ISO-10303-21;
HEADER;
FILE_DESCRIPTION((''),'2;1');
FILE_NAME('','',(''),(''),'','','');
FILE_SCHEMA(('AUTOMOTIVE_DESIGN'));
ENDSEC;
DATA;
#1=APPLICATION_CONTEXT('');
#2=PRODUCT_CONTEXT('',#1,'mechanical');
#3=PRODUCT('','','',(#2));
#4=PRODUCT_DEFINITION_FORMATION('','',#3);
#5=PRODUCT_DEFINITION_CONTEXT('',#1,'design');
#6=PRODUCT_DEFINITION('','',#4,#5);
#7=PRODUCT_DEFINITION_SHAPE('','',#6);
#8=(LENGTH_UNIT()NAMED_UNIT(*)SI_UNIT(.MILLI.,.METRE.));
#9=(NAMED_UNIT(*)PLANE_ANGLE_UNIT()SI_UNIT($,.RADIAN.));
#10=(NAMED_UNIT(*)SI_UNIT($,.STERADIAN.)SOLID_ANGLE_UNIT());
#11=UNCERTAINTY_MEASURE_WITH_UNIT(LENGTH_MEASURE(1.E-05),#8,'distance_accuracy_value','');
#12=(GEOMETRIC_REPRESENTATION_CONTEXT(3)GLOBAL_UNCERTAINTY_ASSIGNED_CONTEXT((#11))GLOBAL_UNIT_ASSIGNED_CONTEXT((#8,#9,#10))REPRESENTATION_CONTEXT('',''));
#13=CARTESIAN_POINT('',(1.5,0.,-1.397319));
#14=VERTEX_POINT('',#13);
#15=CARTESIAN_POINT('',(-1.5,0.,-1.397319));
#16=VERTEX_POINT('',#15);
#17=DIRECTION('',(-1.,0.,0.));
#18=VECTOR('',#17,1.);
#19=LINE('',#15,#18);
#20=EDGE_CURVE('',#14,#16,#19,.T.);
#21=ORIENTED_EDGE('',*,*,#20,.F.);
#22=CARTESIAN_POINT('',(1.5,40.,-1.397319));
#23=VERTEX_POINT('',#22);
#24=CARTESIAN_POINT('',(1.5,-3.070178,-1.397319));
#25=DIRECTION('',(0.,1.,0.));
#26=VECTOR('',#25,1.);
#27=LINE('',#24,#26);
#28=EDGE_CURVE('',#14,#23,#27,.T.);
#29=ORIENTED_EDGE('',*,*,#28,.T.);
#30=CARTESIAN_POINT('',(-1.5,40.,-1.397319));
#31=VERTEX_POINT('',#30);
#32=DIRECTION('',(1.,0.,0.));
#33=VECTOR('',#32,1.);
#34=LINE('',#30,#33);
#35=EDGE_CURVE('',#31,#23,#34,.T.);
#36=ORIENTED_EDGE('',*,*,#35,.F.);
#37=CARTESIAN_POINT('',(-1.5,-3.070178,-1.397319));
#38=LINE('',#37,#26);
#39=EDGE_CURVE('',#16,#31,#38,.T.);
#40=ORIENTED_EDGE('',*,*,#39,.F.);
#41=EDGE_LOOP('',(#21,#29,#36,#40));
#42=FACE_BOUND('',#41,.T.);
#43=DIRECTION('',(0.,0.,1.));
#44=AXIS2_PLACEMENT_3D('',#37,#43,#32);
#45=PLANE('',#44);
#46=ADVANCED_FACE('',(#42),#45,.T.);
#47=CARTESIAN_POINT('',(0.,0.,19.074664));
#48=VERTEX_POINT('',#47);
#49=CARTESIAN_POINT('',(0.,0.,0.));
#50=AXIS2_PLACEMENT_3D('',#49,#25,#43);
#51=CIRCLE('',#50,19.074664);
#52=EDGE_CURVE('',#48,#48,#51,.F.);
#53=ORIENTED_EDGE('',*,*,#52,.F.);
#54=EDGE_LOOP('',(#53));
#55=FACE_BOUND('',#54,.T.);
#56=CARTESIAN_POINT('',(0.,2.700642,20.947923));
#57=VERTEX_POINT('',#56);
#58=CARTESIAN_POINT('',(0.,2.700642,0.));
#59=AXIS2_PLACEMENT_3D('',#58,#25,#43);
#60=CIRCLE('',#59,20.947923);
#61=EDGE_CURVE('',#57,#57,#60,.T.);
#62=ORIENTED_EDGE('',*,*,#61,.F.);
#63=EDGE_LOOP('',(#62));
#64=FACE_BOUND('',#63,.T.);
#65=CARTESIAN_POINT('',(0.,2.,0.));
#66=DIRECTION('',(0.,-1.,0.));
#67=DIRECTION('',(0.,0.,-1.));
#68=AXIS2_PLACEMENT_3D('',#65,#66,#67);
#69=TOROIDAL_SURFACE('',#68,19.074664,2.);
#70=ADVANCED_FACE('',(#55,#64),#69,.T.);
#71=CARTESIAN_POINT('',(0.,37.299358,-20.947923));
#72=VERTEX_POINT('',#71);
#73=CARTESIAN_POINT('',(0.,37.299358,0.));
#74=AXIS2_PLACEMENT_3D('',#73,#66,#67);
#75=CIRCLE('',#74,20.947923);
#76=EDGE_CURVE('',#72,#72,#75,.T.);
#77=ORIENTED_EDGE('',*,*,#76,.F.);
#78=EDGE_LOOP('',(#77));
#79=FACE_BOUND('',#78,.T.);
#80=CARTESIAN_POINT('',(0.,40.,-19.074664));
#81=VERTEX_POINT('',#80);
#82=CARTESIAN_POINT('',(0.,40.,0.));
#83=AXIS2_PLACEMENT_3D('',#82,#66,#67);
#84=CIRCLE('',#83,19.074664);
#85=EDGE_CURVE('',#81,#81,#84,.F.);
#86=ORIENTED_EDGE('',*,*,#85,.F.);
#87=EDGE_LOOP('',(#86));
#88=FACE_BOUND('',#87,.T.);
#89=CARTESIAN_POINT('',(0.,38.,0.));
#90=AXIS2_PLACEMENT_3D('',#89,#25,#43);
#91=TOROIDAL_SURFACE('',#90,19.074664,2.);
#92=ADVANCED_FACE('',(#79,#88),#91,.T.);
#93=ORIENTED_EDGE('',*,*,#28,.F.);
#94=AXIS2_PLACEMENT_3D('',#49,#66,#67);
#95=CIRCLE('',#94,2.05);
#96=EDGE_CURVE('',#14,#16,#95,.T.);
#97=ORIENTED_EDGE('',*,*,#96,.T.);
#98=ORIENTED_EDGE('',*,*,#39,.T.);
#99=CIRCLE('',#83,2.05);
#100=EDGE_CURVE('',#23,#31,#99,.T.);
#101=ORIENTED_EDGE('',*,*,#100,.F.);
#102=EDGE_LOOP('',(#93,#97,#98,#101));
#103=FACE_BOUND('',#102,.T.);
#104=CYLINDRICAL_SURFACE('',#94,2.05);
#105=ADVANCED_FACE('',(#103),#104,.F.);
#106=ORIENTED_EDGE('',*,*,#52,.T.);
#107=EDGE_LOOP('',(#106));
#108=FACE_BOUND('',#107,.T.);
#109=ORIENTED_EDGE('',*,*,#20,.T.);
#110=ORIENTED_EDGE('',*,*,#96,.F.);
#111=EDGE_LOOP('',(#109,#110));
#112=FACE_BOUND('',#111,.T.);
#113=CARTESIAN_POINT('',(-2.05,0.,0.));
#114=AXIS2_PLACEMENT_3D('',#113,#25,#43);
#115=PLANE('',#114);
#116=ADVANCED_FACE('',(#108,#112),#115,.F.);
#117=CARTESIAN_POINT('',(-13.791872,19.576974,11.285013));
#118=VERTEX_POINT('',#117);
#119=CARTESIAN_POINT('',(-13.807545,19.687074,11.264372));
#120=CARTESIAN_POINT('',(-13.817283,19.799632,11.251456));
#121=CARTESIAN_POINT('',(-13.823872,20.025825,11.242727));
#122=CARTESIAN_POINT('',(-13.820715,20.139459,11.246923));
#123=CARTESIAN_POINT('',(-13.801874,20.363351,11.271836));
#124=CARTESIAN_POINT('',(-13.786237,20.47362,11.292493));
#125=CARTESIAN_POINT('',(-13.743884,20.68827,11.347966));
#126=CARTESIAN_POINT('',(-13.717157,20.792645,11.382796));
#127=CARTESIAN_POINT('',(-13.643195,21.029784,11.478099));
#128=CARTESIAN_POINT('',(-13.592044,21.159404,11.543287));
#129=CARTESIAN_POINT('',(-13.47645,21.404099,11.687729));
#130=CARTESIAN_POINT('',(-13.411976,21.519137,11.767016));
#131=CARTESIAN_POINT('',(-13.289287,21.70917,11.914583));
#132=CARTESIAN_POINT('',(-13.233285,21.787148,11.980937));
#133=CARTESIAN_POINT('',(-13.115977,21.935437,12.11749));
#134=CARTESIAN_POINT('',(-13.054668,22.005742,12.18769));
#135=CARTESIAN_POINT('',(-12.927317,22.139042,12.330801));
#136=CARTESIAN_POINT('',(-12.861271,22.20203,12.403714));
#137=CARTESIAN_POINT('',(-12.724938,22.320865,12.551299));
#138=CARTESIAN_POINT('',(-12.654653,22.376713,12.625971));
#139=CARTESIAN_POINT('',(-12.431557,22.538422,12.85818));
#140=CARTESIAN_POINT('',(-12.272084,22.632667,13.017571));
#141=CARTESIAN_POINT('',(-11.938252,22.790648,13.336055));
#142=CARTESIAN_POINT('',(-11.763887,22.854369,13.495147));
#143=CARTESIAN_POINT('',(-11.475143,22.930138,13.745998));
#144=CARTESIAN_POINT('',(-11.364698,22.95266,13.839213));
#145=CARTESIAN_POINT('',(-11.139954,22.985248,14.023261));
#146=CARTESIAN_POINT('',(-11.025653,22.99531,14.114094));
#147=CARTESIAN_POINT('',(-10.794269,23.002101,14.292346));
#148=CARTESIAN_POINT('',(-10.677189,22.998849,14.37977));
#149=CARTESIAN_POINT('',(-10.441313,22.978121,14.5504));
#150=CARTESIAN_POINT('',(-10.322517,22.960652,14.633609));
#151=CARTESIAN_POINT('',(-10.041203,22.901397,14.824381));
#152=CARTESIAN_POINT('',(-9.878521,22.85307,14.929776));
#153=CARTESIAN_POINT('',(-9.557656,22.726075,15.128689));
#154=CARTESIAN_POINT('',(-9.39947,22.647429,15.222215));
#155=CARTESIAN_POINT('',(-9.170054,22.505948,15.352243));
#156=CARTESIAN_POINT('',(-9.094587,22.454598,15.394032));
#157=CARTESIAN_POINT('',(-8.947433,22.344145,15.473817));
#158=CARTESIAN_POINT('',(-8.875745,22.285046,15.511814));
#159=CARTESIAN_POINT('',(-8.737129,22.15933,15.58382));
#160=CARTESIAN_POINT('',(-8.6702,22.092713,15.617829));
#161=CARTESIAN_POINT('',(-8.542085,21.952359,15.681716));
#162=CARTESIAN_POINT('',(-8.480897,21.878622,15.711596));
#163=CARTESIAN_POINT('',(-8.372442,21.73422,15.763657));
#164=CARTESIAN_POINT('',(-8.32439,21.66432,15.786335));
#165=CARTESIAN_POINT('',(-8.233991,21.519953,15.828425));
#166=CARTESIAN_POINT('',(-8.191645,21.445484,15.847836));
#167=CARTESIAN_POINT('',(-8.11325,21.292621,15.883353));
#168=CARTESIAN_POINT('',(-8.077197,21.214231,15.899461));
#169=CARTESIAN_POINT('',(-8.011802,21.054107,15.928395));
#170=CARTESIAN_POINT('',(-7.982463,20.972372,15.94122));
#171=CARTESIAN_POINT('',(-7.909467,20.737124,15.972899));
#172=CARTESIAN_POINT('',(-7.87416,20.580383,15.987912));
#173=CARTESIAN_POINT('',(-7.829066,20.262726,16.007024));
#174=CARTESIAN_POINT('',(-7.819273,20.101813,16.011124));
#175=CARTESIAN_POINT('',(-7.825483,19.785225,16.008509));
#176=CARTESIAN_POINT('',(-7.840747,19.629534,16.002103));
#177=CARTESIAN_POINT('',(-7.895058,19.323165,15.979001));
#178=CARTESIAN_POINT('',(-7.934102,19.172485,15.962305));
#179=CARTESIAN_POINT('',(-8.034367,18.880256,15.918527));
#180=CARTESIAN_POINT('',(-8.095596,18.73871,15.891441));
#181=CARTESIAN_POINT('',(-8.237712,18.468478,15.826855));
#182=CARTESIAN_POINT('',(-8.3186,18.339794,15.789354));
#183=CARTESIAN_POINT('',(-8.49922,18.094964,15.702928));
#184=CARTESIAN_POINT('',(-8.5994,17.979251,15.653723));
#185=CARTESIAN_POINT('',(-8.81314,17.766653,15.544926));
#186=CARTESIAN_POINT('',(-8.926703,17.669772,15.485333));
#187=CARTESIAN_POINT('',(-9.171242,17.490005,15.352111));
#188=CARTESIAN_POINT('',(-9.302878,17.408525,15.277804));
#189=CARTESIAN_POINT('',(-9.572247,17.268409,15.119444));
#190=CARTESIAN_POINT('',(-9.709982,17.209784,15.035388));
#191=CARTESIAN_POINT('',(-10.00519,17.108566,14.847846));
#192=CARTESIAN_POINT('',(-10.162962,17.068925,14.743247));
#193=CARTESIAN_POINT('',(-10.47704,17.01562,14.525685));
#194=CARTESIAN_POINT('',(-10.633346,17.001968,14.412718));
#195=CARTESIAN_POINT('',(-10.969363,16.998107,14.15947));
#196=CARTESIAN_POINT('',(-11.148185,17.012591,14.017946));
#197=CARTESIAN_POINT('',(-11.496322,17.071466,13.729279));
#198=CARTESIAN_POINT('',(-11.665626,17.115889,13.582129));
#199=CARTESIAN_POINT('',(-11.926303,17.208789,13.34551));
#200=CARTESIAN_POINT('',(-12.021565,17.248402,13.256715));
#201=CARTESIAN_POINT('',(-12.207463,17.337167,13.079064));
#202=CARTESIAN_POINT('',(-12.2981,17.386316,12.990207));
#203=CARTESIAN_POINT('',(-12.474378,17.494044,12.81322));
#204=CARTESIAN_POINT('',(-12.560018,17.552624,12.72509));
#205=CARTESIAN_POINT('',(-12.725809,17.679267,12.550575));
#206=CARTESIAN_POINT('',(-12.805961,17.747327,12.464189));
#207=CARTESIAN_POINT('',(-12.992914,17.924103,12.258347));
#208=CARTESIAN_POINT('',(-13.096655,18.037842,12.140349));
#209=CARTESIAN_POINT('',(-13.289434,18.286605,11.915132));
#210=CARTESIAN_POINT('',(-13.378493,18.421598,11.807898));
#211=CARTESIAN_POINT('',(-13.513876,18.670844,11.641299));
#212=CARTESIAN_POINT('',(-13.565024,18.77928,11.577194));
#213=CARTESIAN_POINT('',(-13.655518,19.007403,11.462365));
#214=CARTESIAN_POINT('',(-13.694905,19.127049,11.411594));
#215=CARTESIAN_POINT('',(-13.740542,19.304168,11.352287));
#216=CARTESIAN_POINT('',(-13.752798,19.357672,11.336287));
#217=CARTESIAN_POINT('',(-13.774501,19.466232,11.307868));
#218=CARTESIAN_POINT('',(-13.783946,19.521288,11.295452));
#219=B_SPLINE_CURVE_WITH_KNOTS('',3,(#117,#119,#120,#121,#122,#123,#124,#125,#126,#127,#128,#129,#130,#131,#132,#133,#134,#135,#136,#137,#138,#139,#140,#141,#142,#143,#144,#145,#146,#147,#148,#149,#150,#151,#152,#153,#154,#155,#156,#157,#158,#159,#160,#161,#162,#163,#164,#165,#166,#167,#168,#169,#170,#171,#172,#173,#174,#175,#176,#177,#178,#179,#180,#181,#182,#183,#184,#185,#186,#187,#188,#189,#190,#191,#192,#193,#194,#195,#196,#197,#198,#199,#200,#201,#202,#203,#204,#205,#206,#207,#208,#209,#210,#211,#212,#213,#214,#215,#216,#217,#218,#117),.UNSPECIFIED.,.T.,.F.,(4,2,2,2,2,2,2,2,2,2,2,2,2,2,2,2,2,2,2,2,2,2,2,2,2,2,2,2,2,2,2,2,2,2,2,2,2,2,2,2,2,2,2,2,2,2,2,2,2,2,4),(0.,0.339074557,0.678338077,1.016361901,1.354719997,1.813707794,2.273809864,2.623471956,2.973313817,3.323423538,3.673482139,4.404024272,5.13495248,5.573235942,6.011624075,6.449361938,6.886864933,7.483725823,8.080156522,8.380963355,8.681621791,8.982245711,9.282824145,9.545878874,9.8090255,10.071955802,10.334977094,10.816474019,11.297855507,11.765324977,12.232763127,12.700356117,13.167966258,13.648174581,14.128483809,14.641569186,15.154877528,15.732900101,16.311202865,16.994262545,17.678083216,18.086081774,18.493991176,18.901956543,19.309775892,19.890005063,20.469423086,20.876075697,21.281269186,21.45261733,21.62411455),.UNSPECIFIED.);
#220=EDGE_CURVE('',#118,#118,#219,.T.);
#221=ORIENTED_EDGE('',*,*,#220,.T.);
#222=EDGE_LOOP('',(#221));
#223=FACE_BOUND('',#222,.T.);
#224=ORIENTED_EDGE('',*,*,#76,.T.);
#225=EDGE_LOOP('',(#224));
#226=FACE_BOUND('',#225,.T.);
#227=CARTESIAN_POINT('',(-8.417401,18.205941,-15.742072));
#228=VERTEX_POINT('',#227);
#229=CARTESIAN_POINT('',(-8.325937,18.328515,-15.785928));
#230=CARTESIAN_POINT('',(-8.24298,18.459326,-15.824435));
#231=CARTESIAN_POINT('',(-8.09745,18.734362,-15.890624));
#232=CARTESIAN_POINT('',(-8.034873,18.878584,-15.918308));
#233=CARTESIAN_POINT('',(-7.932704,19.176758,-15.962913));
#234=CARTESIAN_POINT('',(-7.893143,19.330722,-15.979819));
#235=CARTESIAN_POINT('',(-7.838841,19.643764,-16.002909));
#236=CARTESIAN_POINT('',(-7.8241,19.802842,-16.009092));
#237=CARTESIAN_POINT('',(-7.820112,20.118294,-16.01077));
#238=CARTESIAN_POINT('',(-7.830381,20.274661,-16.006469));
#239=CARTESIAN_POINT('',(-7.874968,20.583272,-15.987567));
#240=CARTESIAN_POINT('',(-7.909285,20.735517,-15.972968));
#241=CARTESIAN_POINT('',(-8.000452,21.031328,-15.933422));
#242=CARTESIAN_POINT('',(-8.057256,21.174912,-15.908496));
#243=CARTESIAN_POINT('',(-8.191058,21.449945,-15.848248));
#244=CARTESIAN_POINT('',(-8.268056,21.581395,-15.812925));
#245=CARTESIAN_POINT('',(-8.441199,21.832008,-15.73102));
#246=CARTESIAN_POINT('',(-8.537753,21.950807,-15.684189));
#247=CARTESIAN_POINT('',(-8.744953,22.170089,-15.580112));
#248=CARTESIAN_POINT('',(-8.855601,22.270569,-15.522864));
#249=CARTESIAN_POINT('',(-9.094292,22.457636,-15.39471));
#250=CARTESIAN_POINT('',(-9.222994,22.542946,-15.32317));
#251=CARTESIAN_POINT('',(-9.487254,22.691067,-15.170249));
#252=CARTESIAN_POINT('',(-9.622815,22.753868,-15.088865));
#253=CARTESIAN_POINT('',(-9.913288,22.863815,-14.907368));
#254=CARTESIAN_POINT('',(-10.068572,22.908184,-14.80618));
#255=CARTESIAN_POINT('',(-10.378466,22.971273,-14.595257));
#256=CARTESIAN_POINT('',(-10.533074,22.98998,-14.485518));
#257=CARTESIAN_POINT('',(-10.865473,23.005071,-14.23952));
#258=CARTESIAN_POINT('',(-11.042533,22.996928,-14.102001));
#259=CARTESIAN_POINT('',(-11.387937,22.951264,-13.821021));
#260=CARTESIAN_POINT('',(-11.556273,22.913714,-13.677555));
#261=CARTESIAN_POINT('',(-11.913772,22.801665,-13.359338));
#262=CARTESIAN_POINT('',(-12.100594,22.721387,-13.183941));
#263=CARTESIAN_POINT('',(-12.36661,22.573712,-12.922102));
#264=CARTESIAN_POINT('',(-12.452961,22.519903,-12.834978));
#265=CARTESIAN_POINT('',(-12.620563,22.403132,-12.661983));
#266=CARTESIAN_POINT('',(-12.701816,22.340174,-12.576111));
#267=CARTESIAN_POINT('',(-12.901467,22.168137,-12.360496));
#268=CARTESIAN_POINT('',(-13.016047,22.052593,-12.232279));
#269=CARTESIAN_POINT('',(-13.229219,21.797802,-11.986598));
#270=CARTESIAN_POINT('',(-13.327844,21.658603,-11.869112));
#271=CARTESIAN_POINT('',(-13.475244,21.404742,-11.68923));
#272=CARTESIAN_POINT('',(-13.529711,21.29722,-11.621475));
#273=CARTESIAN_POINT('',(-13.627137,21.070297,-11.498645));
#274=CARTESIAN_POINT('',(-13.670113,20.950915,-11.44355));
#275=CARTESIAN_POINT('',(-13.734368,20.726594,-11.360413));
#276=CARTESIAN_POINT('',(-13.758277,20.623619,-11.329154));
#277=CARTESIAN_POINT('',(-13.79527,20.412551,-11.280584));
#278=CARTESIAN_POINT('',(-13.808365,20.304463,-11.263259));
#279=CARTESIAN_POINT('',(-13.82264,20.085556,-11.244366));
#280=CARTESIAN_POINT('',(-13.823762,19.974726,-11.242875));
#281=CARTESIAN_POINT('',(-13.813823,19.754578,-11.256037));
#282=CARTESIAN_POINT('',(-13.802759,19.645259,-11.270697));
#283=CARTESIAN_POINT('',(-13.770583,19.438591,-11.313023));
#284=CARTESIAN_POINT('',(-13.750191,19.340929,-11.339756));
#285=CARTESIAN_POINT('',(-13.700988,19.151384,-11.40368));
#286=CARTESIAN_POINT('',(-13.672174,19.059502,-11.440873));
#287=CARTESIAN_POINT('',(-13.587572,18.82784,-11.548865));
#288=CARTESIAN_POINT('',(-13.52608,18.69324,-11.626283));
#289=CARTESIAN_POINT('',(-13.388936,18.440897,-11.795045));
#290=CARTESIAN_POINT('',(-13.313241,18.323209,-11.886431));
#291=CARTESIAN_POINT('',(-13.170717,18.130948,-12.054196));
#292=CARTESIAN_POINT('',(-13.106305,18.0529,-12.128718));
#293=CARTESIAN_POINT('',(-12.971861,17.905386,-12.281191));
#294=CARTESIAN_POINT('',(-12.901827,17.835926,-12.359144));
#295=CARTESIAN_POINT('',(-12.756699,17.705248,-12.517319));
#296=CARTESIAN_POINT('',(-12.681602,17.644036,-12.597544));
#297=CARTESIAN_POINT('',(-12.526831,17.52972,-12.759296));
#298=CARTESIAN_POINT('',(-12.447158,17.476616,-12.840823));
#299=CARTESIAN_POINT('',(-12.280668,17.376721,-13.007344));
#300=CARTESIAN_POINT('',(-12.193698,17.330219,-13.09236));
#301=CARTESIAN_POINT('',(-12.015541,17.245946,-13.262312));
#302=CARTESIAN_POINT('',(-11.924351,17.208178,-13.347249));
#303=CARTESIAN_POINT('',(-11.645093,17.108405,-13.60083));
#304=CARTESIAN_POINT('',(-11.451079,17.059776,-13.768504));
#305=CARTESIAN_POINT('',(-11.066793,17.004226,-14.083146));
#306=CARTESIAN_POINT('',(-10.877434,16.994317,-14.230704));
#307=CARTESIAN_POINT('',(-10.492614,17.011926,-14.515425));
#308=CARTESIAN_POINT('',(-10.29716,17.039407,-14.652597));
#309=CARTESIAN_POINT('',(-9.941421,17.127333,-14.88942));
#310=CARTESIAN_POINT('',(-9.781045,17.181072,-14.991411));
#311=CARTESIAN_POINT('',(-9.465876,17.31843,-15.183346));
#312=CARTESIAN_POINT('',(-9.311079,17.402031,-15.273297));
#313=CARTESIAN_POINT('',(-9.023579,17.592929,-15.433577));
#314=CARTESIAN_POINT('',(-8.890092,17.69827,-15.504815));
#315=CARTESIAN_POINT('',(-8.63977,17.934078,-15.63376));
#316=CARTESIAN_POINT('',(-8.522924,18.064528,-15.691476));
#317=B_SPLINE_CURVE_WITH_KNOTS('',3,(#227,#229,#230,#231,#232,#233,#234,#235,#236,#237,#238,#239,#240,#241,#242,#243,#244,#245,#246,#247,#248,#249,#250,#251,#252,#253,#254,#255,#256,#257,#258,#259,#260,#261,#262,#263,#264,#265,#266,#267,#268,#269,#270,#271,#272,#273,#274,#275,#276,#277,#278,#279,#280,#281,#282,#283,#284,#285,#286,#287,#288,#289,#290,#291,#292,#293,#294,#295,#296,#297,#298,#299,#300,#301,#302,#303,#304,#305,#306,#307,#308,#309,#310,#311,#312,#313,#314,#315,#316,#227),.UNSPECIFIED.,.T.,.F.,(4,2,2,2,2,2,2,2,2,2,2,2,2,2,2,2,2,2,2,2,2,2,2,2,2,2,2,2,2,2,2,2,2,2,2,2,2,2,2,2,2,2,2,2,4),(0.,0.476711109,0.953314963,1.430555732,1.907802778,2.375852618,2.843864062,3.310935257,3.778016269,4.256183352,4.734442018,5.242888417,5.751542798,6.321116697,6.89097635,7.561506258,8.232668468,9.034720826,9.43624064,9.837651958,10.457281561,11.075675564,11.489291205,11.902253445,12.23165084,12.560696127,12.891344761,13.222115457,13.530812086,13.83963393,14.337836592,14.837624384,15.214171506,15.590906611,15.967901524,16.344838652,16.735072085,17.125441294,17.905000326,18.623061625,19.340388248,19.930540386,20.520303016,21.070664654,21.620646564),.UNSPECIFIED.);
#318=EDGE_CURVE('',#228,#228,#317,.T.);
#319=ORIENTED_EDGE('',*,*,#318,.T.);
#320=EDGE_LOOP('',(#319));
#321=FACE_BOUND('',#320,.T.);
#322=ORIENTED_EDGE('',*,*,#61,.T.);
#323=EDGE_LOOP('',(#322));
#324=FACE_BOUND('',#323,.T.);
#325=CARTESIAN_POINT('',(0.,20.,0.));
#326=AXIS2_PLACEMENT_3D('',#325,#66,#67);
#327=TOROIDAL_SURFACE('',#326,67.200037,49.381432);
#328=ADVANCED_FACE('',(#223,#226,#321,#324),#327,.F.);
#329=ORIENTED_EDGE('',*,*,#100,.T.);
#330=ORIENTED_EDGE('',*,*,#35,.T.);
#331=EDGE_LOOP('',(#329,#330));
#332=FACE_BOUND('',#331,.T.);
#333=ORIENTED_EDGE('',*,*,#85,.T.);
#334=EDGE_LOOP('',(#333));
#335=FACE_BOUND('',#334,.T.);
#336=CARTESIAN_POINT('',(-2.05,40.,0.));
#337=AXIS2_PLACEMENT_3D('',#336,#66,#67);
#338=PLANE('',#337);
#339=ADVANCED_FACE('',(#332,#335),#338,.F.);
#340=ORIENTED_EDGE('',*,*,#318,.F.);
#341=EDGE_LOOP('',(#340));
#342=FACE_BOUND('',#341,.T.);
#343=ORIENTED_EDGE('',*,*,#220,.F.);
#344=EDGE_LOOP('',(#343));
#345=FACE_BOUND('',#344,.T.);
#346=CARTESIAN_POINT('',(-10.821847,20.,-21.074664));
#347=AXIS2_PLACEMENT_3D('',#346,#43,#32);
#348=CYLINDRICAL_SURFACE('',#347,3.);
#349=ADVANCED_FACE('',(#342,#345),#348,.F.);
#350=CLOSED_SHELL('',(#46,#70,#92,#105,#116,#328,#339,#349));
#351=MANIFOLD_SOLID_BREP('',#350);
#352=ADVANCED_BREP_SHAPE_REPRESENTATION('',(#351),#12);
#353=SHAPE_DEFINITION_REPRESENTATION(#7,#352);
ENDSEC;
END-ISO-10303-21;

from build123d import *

# Parameters (mm, degrees)
CONG_1_R                     = 2
BOSS_EXTRU_1_DEPTH           = 40
ESQUISSE3_R                  = 3
ENL_V_MAT_EXTRU_1_DEPTH      = 22.074664225
ENL_V_MAT_EXTRU_1_DEPTH_BACK = 22.074664225


with BuildPart() as part:
    # Esquisse1 → Révolution1 (revolve)
    with BuildSketch(Plane.XY):
        with BuildLine():
            Line((-2.05, 0), (-2.05, 40))
            Line((-2.05, 40), (-22.05, 40))
            ThreePointArc((-22.05, 40), (-17.818604845, 20), (-22.05, 0))
            Line((-22.05, 0), (-2.05, 0))
        make_face()
    revolve(axis=Axis((0, 0, 0), (0, 1, 0)))

    # Congé1
    cong_1_edges = [part.edges().sort_by_distance(p)[0] for p in [
        (22.05, 40, 0),
        (22.05, 0, 0),
    ]]
    fillet(cong_1_edges, radius=CONG_1_R)

    # Esquisse2 → Boss.-Extru.1 (add)
    with BuildSketch(Plane(origin=(0, 40, 0), x_dir=(1, 0, 0), z_dir=(0, 1, 0))):
        with BuildLine():
            Line((-1.5, 1.397318861), (1.5, 1.397318861))
            ThreePointArc((1.5, 1.397318861), (0, 2.05), (-1.5, 1.397318861))
        make_face()
    extrude(amount=-BOSS_EXTRU_1_DEPTH)

    # Esquisse3 → Enlèv. mat.-Extru.1 (cut, two sides)
    with BuildSketch(Plane.XY) as enl_v_mat_extru_1_sk:
        with Locations((-10.821847214, 20)):
            Circle(ESQUISSE3_R)
    extrude(amount=ENL_V_MAT_EXTRU_1_DEPTH, mode=Mode.SUBTRACT)
    extrude(enl_v_mat_extru_1_sk.sketch, amount=-ENL_V_MAT_EXTRU_1_DEPTH_BACK, mode=Mode.SUBTRACT)


solid = part.part
